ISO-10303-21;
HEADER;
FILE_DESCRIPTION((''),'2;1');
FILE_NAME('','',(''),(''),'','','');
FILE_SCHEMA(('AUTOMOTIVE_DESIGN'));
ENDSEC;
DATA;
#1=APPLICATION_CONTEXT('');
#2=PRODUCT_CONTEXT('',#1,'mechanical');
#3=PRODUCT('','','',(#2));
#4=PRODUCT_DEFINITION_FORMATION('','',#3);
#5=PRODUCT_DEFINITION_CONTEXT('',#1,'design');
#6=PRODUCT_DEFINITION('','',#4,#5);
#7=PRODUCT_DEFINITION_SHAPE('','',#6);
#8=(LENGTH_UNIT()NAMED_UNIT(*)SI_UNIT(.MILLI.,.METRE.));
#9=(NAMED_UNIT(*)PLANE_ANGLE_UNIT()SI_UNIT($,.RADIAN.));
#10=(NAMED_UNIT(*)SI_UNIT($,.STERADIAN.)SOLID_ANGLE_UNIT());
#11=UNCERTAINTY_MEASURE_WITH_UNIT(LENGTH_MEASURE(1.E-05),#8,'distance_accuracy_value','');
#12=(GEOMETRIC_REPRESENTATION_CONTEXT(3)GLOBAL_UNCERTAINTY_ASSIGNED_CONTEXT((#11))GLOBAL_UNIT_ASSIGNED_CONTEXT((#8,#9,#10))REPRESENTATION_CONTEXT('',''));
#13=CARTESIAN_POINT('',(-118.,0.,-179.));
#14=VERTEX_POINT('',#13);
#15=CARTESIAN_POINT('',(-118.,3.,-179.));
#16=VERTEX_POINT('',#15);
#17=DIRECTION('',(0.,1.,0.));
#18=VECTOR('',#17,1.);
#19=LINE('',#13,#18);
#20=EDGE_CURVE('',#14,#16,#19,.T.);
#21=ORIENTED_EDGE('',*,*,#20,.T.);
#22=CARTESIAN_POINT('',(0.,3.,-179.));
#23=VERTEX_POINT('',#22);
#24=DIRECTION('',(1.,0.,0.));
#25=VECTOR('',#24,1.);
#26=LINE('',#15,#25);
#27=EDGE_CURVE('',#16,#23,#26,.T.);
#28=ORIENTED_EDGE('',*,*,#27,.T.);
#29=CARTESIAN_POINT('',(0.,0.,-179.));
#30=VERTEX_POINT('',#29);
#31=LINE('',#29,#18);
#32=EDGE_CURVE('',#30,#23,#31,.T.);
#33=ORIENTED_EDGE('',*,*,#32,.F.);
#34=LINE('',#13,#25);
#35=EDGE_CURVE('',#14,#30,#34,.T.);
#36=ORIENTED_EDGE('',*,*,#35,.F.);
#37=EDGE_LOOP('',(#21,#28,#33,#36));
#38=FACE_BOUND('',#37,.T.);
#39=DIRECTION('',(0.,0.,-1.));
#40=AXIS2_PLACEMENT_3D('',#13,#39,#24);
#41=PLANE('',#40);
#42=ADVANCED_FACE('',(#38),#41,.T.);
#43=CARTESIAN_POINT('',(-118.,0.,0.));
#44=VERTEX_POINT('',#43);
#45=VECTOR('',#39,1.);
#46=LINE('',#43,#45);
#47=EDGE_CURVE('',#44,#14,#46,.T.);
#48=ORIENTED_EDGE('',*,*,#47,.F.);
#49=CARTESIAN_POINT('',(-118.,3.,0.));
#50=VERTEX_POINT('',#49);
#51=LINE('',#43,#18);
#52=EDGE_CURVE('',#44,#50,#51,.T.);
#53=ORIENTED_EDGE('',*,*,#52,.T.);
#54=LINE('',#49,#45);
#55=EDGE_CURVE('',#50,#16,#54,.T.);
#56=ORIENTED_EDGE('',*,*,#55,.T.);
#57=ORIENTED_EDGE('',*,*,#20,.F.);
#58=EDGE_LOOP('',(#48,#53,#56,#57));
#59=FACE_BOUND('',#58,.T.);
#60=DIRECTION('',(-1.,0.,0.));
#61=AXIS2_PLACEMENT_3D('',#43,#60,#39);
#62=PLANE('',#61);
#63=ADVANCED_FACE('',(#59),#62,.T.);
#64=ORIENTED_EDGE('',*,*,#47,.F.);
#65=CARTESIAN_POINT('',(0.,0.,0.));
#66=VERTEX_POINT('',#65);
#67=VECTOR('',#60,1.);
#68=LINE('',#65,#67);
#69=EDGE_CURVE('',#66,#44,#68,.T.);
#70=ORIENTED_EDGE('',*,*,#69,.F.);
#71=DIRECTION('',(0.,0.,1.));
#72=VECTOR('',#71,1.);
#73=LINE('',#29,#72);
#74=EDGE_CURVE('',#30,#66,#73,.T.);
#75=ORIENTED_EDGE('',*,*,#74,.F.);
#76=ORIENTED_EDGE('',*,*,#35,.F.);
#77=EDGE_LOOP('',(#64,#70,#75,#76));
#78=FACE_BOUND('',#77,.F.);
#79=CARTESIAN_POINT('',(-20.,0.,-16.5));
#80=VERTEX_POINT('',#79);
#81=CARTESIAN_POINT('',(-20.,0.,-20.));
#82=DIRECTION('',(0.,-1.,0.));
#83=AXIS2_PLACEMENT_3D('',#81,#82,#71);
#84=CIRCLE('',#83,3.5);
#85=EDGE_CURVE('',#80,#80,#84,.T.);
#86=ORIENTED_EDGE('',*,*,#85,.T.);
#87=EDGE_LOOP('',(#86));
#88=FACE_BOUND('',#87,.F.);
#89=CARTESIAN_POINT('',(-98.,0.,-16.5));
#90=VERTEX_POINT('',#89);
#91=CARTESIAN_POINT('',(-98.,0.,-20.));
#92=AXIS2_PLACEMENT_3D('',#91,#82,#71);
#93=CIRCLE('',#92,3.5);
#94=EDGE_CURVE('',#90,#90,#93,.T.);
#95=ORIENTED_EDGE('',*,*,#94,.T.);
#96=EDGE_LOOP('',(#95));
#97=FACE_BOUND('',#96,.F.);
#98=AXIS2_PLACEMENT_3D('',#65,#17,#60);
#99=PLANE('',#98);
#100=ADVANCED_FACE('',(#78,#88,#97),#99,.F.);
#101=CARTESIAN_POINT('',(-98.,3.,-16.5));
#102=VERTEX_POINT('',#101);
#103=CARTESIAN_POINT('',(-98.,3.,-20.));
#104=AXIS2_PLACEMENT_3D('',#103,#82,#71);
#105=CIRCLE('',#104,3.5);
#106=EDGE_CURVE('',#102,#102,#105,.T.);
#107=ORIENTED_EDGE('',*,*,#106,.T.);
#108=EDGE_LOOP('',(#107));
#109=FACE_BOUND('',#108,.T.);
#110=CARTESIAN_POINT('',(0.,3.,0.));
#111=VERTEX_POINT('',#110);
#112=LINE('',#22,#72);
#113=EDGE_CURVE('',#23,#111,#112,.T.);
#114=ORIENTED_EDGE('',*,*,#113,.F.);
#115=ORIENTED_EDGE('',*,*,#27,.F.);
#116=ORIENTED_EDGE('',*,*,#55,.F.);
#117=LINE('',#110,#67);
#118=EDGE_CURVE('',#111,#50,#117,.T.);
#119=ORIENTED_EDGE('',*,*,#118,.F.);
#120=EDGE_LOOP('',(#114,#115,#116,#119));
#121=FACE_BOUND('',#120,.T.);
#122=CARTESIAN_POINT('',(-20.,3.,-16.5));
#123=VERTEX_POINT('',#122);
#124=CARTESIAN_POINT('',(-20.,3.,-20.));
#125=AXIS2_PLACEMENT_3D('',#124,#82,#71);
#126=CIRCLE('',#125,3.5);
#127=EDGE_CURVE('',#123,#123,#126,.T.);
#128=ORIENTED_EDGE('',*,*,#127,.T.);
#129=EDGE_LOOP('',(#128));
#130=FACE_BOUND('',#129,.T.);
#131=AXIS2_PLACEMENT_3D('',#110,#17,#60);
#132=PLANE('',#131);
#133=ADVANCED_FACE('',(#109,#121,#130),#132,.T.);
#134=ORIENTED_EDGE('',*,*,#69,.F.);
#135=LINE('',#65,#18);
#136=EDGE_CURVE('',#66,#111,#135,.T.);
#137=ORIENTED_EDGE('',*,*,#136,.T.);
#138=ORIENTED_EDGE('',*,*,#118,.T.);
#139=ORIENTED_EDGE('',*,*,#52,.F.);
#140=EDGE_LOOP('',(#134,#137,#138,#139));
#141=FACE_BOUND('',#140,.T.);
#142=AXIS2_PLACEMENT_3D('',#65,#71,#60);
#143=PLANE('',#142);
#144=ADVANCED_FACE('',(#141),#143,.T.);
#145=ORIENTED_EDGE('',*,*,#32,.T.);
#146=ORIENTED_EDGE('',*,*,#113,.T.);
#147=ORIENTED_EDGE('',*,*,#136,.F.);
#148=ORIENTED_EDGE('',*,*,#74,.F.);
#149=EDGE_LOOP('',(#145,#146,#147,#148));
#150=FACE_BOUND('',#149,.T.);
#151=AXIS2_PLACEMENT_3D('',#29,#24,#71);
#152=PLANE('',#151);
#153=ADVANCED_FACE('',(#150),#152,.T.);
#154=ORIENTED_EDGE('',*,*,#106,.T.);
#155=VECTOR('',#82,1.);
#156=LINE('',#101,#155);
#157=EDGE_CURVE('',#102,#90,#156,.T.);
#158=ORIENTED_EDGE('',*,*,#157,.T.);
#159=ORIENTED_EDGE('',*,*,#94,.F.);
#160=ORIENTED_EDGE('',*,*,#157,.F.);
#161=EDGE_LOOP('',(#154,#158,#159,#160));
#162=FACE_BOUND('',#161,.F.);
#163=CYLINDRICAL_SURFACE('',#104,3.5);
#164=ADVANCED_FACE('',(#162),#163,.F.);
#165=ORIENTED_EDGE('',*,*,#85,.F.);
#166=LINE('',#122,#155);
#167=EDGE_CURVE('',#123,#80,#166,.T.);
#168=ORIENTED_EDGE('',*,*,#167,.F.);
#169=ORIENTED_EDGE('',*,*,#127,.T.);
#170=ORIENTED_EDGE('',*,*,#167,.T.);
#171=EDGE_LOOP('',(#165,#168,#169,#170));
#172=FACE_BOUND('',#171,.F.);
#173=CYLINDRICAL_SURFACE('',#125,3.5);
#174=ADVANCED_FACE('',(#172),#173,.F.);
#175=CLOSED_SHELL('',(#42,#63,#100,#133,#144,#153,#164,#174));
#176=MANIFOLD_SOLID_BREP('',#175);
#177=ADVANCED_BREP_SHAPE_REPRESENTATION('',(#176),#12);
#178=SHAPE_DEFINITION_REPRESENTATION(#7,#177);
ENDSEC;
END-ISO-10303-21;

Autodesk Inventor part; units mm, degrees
ref_plane "YZ Plane" through (0, 0, 0) normal (1, 0, 0) x (0, 1, 0)
ref_plane "XZ Plane" through (0, 0, 0) normal (0, 1, 0) x (-1, 0, 0)
ref_plane "XY Plane" through (0, 0, 0) normal (0, 0, 1) x (1, 0, 0)
sketch "Sketch1" plane through (0, 0, 0) normal (0, 1, 0) x (-1, 0, 0)
  line L0 (0, 0) -> (118, 0)
  line L1 (118, 0) -> (118, -179)
  line L2 (118, -179) -> (0, -179)
  line L3 (0, -179) -> (0, 0)
  dimension "d0" = 118
  dimension "d1" = 179
extrude "Extrusion1" add sketch "Sketch1" along normal blind 3
sketch "Sketch2" plane through (0, 3, 0) normal (0, 1, 0) x (1, 0, 0)
  line L0 (-118, 0) -> (0, 0) projected
  line L1 (0, 0) -> (0, 179) projected
  line L2 (-118, 179) -> (-118, 0) projected
  point P0 (-20, 20)
  point P1 (-98, 20)
  dimension "d4" = 20
  dimension "d5" = 20
  dimension "d6" = 20
  dimension "d7" = 20
hole "Hole1" at (-20, 3, -20) at (-98, 3, -20) direction (0, -1, 0) diameter 7 end through all
sketch "Sketch9" plane through (0, 3, 0) normal (0, 1, 0) x (1, 0, 0)
  circle A0 centre (-14.5, 117) radius 1.6
  circle A1 centre (-14.5, 41) radius 1.6
  circle A2 centre (-20, 20) radius 3.5 projected
  circle A3 centre (-98, 20) radius 3.5 projected
  line L0 (-118, 0) -> (0, 0) projected
  line L1 (0, 0) -> (0, 179) projected
  line L2 (0, 179) -> (-118, 179) projected
  line L3 (-118, 179) -> (-118, 0) projected
  circle A4 centre (-103.5, 117) radius 1.6
  circle A5 centre (-103.5, 41) radius 1.6
  circle A6 centre (-22.17, 145.87) radius 1.75
  circle A7 centre (-95.83, 145.87) radius 1.75
  dimension "d68" = 33.13
  dimension "d69" = 33.13
  dimension "d70" = 62
  dimension "d71" = 138
  dimension "d72" = 14.5
  dimension "d73" = 14.5
  dimension "d74" = 22.17
  dimension "d75" = 95.83
properties part number "SupportsheetStandard2" material "Aluminum 6061"
